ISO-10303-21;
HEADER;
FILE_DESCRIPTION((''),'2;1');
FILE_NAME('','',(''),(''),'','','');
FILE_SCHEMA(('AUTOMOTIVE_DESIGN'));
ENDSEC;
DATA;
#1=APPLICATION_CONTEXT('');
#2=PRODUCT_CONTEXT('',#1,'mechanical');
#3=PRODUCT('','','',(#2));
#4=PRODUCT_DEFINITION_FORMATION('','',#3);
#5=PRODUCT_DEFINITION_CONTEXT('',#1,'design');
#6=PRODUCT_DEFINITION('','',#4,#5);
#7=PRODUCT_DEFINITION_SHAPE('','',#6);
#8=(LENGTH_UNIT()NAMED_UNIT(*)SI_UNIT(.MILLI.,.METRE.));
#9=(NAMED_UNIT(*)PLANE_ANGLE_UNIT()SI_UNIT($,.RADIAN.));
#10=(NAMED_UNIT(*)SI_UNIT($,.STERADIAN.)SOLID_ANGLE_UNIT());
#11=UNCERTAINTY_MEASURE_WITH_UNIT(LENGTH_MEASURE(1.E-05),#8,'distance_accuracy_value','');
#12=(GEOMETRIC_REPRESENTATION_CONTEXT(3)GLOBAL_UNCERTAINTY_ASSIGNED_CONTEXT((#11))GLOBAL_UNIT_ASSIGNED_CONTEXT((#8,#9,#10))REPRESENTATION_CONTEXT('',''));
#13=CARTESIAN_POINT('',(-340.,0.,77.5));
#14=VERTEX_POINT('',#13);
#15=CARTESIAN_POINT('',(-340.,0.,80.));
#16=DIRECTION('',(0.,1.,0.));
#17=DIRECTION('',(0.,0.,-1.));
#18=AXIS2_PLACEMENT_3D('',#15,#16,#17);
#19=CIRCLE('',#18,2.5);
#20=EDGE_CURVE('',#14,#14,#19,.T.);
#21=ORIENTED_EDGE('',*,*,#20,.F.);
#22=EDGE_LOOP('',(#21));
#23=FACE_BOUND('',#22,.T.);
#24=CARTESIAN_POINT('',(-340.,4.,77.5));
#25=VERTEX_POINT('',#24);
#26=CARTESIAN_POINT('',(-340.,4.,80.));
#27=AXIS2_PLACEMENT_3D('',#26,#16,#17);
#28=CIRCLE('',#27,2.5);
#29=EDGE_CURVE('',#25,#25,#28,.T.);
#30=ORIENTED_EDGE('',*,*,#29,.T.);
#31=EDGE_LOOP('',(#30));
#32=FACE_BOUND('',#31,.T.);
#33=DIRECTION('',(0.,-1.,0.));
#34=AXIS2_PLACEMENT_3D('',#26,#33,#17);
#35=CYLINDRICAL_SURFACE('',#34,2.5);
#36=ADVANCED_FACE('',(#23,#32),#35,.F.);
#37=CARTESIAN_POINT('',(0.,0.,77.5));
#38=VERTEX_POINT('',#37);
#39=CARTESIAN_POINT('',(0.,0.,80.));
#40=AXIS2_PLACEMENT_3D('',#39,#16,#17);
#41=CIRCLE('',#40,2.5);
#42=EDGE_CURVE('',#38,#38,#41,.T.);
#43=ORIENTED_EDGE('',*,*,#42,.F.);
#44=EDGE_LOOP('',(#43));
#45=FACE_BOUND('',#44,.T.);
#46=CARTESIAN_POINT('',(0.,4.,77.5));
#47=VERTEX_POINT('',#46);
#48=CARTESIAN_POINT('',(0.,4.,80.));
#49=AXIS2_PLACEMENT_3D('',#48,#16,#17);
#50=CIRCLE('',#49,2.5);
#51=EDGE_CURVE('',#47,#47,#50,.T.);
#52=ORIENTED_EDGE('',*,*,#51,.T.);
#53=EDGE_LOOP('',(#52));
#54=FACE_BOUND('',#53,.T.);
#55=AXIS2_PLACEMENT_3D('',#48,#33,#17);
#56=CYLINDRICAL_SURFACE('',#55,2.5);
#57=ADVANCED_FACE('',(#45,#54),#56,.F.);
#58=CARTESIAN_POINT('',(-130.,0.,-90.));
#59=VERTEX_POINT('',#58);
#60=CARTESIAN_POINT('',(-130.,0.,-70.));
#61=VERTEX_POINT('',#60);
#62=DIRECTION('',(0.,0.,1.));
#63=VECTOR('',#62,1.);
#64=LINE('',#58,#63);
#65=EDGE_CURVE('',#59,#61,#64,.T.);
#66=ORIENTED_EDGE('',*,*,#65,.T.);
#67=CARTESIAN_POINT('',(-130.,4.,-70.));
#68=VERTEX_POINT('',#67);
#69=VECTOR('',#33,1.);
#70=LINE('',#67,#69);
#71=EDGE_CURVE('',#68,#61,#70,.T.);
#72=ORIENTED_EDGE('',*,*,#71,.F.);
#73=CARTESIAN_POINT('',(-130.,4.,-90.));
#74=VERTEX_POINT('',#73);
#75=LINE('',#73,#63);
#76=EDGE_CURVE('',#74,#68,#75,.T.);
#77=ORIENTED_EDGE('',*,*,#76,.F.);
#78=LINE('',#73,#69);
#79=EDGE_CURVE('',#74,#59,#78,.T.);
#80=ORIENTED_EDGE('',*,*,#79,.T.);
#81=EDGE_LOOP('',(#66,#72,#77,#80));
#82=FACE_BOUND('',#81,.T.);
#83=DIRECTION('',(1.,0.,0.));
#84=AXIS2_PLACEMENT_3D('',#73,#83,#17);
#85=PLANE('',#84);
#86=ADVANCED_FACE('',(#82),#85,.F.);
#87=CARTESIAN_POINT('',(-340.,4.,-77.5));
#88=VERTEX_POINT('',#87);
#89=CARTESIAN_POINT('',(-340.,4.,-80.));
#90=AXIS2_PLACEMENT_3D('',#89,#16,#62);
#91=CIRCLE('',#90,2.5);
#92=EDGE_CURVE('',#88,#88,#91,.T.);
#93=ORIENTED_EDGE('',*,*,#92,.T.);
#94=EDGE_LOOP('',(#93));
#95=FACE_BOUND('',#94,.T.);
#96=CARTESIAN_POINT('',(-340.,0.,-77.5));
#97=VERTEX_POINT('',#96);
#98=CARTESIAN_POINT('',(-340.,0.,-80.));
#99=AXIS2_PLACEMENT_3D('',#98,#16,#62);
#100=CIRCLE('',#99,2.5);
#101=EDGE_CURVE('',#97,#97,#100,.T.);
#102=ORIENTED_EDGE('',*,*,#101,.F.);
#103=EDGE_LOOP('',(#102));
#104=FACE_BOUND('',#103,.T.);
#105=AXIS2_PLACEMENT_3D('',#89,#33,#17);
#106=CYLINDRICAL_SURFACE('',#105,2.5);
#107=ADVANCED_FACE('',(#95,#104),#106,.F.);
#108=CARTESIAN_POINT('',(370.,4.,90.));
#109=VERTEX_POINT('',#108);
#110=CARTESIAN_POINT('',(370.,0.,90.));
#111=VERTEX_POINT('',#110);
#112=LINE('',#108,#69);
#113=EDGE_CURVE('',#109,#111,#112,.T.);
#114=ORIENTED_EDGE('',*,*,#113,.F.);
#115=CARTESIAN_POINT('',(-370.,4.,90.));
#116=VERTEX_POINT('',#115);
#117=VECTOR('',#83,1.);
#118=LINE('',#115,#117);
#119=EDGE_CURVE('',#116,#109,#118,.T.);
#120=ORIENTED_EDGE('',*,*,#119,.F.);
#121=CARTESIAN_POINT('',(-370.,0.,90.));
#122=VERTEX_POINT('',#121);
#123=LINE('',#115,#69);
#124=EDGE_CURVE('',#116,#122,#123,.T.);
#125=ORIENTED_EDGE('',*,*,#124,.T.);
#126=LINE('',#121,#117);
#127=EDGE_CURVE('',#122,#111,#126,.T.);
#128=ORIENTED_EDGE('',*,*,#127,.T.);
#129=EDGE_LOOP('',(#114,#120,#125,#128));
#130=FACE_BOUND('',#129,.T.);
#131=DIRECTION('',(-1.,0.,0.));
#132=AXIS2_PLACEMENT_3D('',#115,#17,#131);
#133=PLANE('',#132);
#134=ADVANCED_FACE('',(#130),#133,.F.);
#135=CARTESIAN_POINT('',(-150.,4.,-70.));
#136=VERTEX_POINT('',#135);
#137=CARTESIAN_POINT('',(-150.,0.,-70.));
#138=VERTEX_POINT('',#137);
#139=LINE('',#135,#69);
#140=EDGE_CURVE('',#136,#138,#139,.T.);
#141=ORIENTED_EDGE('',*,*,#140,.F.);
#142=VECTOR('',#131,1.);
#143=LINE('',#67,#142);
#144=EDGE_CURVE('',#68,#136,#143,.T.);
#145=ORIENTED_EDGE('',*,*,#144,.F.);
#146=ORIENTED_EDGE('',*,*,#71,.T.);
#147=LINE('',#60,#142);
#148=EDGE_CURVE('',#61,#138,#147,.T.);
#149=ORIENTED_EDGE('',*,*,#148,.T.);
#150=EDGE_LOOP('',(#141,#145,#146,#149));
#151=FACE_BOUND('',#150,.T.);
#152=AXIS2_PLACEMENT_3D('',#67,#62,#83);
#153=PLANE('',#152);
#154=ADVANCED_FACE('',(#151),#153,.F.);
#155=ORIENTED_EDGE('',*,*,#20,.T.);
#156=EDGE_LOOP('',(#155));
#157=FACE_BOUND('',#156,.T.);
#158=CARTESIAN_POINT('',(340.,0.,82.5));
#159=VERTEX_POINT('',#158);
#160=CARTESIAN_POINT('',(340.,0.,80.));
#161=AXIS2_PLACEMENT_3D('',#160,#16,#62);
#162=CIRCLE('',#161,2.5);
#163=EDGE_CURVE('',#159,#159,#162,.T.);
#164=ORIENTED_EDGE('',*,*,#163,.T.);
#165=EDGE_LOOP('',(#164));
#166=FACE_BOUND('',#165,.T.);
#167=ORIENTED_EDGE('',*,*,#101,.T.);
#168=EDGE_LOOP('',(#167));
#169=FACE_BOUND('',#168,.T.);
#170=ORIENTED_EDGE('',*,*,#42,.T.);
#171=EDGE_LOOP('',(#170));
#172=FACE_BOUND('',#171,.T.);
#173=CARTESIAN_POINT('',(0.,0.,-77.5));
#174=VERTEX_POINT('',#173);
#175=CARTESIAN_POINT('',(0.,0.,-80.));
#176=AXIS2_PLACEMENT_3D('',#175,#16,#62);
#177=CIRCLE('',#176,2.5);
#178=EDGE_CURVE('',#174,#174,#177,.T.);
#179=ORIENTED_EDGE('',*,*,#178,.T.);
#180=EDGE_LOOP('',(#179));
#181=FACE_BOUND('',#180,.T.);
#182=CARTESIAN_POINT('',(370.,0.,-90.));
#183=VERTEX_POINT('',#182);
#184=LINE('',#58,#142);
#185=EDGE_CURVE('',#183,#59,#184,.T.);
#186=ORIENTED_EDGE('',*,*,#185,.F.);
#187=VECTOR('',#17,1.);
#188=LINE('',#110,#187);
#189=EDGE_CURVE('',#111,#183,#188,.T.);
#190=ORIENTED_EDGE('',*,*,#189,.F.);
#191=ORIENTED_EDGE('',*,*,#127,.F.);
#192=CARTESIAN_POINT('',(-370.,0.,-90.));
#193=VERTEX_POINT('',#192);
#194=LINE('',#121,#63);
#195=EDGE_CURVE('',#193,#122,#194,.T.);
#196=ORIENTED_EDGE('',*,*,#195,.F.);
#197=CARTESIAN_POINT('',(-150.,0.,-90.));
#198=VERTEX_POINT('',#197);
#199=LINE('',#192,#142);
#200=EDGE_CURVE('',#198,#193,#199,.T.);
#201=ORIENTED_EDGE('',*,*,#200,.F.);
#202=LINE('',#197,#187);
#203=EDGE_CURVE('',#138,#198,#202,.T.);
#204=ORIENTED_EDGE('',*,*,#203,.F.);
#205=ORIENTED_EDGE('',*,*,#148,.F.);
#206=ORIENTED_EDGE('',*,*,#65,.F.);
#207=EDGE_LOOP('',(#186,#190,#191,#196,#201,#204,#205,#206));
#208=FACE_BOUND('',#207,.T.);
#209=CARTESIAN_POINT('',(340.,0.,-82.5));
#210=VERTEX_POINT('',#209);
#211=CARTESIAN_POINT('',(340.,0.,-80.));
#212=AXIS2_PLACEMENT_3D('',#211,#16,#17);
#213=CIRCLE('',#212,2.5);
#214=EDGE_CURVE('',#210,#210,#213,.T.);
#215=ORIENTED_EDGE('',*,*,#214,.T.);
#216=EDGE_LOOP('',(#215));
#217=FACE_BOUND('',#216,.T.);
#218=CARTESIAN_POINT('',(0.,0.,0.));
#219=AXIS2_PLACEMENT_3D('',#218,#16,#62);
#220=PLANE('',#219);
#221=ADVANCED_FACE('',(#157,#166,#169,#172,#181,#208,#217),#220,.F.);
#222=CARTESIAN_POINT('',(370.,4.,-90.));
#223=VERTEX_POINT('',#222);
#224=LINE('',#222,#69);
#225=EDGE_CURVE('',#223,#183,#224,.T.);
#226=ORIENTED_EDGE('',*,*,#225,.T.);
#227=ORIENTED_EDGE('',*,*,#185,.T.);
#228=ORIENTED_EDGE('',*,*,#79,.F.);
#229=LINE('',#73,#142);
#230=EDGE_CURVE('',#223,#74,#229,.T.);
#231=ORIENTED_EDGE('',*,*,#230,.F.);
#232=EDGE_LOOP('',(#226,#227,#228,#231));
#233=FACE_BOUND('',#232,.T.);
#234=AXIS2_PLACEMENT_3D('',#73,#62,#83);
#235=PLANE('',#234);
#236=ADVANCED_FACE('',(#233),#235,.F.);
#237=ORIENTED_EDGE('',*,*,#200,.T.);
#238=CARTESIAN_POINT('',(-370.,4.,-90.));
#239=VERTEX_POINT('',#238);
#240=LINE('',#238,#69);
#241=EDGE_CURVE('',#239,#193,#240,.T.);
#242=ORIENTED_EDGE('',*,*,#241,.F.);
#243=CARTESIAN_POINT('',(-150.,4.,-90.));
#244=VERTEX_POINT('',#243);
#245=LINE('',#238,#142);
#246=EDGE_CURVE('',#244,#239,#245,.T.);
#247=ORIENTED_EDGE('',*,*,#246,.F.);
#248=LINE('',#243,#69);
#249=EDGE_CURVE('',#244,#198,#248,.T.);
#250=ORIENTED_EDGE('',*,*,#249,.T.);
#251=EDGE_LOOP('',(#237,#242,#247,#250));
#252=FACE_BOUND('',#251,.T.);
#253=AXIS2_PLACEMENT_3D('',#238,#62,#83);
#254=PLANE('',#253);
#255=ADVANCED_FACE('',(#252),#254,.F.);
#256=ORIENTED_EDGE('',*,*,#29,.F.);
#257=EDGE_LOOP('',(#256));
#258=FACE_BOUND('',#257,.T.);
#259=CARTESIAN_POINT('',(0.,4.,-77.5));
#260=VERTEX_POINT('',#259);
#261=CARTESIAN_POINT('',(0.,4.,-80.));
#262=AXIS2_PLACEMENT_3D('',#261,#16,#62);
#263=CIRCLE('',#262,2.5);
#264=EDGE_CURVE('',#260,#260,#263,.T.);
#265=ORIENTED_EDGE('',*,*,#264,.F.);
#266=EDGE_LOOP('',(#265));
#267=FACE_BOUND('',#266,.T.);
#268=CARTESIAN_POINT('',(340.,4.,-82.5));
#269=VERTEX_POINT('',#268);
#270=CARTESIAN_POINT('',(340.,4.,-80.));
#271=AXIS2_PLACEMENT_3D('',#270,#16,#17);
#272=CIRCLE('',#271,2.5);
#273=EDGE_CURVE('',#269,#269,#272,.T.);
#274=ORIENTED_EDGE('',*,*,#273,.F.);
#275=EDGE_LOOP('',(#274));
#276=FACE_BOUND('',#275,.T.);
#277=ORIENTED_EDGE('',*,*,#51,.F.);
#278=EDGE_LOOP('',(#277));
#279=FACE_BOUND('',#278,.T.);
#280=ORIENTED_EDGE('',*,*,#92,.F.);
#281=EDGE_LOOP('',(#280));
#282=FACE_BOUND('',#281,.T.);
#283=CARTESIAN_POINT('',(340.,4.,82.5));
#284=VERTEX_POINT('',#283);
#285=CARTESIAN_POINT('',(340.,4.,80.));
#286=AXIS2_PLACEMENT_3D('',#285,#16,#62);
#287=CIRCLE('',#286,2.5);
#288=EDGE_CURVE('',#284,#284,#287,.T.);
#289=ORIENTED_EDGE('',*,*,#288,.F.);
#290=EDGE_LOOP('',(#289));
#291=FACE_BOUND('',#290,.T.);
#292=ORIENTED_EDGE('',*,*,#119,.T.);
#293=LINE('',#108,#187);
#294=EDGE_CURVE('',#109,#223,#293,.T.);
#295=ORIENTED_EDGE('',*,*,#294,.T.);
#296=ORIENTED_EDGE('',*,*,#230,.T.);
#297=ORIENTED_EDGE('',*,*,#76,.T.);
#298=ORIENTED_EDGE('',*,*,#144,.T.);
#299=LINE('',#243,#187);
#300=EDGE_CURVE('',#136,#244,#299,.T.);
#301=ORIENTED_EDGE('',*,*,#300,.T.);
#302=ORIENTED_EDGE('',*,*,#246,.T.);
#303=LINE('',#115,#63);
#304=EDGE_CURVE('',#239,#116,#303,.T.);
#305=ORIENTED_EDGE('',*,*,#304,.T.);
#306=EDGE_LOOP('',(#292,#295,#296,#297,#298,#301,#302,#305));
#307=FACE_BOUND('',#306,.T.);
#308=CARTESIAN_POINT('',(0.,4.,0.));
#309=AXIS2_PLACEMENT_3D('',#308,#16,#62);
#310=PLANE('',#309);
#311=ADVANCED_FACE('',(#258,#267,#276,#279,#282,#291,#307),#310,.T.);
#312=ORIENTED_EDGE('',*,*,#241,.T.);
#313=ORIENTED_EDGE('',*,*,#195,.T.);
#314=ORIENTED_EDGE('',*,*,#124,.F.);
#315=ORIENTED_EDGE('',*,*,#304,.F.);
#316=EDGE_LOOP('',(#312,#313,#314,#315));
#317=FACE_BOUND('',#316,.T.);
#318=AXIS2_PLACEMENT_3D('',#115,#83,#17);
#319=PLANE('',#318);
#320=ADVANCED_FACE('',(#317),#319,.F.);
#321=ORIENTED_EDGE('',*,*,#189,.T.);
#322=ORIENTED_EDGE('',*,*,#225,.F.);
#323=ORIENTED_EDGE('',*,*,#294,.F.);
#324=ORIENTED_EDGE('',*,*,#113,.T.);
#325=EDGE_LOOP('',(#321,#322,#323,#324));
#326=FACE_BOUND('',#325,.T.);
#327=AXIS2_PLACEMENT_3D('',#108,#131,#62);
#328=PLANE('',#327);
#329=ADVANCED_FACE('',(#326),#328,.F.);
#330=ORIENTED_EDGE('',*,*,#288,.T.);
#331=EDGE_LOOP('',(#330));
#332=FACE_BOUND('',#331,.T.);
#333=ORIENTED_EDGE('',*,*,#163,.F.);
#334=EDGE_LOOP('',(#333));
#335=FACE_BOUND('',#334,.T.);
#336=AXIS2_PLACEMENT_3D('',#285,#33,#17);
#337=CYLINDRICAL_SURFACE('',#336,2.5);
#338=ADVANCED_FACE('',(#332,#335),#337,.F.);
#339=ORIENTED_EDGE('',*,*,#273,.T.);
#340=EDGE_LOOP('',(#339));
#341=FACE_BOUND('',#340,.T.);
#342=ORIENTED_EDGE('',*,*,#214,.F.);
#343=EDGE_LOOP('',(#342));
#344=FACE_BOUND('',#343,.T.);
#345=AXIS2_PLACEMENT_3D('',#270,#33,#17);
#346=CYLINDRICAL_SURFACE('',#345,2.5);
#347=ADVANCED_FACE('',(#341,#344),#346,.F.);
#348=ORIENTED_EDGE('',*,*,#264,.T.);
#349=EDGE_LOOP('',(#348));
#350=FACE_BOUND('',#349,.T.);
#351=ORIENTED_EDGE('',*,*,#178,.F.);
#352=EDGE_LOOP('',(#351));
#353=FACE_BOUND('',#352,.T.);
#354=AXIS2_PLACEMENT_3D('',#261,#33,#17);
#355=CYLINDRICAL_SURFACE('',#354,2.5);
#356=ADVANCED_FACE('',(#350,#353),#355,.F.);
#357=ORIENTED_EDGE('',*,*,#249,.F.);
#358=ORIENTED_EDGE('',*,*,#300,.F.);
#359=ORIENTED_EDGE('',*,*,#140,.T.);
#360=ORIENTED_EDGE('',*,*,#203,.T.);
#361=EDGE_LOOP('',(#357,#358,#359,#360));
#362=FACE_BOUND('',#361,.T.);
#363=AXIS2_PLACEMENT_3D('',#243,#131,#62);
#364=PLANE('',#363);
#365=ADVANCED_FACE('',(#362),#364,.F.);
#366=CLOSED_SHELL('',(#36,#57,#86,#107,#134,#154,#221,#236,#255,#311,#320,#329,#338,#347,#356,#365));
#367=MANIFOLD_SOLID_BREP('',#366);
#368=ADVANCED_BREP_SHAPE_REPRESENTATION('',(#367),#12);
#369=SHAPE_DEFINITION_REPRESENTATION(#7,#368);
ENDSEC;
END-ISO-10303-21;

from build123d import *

# Parameters (mm, degrees)
SKETCH1_R           = 2.5
BOSS_EXTRUDE1_DEPTH = 4


with BuildPart() as part:
    # Sketch1 → Boss-Extrude1 (new body)
    with BuildSketch(Plane(origin=(0, 0, 0), x_dir=(1, 0, 0), z_dir=(0, 1, 0))):
        Polygon((-370, -90), (370, -90), (370, 90), (-130, 90), (-130, 70), (-150, 70), (-150, 90), (-370, 90), align=None)
        with Locations((-340, 80)):
            Circle(SKETCH1_R, mode=Mode.SUBTRACT)
        with Locations((0, 80)):
            Circle(SKETCH1_R, mode=Mode.SUBTRACT)
        with Locations((340, 80)):
            Circle(SKETCH1_R, mode=Mode.SUBTRACT)
        with Locations((-340, -80)):
            Circle(SKETCH1_R, mode=Mode.SUBTRACT)
        with Locations((0, -80)):
            Circle(SKETCH1_R, mode=Mode.SUBTRACT)
        with Locations((340, -80)):
            Circle(SKETCH1_R, mode=Mode.SUBTRACT)
    extrude(amount=BOSS_EXTRUDE1_DEPTH)


solid = part.part
